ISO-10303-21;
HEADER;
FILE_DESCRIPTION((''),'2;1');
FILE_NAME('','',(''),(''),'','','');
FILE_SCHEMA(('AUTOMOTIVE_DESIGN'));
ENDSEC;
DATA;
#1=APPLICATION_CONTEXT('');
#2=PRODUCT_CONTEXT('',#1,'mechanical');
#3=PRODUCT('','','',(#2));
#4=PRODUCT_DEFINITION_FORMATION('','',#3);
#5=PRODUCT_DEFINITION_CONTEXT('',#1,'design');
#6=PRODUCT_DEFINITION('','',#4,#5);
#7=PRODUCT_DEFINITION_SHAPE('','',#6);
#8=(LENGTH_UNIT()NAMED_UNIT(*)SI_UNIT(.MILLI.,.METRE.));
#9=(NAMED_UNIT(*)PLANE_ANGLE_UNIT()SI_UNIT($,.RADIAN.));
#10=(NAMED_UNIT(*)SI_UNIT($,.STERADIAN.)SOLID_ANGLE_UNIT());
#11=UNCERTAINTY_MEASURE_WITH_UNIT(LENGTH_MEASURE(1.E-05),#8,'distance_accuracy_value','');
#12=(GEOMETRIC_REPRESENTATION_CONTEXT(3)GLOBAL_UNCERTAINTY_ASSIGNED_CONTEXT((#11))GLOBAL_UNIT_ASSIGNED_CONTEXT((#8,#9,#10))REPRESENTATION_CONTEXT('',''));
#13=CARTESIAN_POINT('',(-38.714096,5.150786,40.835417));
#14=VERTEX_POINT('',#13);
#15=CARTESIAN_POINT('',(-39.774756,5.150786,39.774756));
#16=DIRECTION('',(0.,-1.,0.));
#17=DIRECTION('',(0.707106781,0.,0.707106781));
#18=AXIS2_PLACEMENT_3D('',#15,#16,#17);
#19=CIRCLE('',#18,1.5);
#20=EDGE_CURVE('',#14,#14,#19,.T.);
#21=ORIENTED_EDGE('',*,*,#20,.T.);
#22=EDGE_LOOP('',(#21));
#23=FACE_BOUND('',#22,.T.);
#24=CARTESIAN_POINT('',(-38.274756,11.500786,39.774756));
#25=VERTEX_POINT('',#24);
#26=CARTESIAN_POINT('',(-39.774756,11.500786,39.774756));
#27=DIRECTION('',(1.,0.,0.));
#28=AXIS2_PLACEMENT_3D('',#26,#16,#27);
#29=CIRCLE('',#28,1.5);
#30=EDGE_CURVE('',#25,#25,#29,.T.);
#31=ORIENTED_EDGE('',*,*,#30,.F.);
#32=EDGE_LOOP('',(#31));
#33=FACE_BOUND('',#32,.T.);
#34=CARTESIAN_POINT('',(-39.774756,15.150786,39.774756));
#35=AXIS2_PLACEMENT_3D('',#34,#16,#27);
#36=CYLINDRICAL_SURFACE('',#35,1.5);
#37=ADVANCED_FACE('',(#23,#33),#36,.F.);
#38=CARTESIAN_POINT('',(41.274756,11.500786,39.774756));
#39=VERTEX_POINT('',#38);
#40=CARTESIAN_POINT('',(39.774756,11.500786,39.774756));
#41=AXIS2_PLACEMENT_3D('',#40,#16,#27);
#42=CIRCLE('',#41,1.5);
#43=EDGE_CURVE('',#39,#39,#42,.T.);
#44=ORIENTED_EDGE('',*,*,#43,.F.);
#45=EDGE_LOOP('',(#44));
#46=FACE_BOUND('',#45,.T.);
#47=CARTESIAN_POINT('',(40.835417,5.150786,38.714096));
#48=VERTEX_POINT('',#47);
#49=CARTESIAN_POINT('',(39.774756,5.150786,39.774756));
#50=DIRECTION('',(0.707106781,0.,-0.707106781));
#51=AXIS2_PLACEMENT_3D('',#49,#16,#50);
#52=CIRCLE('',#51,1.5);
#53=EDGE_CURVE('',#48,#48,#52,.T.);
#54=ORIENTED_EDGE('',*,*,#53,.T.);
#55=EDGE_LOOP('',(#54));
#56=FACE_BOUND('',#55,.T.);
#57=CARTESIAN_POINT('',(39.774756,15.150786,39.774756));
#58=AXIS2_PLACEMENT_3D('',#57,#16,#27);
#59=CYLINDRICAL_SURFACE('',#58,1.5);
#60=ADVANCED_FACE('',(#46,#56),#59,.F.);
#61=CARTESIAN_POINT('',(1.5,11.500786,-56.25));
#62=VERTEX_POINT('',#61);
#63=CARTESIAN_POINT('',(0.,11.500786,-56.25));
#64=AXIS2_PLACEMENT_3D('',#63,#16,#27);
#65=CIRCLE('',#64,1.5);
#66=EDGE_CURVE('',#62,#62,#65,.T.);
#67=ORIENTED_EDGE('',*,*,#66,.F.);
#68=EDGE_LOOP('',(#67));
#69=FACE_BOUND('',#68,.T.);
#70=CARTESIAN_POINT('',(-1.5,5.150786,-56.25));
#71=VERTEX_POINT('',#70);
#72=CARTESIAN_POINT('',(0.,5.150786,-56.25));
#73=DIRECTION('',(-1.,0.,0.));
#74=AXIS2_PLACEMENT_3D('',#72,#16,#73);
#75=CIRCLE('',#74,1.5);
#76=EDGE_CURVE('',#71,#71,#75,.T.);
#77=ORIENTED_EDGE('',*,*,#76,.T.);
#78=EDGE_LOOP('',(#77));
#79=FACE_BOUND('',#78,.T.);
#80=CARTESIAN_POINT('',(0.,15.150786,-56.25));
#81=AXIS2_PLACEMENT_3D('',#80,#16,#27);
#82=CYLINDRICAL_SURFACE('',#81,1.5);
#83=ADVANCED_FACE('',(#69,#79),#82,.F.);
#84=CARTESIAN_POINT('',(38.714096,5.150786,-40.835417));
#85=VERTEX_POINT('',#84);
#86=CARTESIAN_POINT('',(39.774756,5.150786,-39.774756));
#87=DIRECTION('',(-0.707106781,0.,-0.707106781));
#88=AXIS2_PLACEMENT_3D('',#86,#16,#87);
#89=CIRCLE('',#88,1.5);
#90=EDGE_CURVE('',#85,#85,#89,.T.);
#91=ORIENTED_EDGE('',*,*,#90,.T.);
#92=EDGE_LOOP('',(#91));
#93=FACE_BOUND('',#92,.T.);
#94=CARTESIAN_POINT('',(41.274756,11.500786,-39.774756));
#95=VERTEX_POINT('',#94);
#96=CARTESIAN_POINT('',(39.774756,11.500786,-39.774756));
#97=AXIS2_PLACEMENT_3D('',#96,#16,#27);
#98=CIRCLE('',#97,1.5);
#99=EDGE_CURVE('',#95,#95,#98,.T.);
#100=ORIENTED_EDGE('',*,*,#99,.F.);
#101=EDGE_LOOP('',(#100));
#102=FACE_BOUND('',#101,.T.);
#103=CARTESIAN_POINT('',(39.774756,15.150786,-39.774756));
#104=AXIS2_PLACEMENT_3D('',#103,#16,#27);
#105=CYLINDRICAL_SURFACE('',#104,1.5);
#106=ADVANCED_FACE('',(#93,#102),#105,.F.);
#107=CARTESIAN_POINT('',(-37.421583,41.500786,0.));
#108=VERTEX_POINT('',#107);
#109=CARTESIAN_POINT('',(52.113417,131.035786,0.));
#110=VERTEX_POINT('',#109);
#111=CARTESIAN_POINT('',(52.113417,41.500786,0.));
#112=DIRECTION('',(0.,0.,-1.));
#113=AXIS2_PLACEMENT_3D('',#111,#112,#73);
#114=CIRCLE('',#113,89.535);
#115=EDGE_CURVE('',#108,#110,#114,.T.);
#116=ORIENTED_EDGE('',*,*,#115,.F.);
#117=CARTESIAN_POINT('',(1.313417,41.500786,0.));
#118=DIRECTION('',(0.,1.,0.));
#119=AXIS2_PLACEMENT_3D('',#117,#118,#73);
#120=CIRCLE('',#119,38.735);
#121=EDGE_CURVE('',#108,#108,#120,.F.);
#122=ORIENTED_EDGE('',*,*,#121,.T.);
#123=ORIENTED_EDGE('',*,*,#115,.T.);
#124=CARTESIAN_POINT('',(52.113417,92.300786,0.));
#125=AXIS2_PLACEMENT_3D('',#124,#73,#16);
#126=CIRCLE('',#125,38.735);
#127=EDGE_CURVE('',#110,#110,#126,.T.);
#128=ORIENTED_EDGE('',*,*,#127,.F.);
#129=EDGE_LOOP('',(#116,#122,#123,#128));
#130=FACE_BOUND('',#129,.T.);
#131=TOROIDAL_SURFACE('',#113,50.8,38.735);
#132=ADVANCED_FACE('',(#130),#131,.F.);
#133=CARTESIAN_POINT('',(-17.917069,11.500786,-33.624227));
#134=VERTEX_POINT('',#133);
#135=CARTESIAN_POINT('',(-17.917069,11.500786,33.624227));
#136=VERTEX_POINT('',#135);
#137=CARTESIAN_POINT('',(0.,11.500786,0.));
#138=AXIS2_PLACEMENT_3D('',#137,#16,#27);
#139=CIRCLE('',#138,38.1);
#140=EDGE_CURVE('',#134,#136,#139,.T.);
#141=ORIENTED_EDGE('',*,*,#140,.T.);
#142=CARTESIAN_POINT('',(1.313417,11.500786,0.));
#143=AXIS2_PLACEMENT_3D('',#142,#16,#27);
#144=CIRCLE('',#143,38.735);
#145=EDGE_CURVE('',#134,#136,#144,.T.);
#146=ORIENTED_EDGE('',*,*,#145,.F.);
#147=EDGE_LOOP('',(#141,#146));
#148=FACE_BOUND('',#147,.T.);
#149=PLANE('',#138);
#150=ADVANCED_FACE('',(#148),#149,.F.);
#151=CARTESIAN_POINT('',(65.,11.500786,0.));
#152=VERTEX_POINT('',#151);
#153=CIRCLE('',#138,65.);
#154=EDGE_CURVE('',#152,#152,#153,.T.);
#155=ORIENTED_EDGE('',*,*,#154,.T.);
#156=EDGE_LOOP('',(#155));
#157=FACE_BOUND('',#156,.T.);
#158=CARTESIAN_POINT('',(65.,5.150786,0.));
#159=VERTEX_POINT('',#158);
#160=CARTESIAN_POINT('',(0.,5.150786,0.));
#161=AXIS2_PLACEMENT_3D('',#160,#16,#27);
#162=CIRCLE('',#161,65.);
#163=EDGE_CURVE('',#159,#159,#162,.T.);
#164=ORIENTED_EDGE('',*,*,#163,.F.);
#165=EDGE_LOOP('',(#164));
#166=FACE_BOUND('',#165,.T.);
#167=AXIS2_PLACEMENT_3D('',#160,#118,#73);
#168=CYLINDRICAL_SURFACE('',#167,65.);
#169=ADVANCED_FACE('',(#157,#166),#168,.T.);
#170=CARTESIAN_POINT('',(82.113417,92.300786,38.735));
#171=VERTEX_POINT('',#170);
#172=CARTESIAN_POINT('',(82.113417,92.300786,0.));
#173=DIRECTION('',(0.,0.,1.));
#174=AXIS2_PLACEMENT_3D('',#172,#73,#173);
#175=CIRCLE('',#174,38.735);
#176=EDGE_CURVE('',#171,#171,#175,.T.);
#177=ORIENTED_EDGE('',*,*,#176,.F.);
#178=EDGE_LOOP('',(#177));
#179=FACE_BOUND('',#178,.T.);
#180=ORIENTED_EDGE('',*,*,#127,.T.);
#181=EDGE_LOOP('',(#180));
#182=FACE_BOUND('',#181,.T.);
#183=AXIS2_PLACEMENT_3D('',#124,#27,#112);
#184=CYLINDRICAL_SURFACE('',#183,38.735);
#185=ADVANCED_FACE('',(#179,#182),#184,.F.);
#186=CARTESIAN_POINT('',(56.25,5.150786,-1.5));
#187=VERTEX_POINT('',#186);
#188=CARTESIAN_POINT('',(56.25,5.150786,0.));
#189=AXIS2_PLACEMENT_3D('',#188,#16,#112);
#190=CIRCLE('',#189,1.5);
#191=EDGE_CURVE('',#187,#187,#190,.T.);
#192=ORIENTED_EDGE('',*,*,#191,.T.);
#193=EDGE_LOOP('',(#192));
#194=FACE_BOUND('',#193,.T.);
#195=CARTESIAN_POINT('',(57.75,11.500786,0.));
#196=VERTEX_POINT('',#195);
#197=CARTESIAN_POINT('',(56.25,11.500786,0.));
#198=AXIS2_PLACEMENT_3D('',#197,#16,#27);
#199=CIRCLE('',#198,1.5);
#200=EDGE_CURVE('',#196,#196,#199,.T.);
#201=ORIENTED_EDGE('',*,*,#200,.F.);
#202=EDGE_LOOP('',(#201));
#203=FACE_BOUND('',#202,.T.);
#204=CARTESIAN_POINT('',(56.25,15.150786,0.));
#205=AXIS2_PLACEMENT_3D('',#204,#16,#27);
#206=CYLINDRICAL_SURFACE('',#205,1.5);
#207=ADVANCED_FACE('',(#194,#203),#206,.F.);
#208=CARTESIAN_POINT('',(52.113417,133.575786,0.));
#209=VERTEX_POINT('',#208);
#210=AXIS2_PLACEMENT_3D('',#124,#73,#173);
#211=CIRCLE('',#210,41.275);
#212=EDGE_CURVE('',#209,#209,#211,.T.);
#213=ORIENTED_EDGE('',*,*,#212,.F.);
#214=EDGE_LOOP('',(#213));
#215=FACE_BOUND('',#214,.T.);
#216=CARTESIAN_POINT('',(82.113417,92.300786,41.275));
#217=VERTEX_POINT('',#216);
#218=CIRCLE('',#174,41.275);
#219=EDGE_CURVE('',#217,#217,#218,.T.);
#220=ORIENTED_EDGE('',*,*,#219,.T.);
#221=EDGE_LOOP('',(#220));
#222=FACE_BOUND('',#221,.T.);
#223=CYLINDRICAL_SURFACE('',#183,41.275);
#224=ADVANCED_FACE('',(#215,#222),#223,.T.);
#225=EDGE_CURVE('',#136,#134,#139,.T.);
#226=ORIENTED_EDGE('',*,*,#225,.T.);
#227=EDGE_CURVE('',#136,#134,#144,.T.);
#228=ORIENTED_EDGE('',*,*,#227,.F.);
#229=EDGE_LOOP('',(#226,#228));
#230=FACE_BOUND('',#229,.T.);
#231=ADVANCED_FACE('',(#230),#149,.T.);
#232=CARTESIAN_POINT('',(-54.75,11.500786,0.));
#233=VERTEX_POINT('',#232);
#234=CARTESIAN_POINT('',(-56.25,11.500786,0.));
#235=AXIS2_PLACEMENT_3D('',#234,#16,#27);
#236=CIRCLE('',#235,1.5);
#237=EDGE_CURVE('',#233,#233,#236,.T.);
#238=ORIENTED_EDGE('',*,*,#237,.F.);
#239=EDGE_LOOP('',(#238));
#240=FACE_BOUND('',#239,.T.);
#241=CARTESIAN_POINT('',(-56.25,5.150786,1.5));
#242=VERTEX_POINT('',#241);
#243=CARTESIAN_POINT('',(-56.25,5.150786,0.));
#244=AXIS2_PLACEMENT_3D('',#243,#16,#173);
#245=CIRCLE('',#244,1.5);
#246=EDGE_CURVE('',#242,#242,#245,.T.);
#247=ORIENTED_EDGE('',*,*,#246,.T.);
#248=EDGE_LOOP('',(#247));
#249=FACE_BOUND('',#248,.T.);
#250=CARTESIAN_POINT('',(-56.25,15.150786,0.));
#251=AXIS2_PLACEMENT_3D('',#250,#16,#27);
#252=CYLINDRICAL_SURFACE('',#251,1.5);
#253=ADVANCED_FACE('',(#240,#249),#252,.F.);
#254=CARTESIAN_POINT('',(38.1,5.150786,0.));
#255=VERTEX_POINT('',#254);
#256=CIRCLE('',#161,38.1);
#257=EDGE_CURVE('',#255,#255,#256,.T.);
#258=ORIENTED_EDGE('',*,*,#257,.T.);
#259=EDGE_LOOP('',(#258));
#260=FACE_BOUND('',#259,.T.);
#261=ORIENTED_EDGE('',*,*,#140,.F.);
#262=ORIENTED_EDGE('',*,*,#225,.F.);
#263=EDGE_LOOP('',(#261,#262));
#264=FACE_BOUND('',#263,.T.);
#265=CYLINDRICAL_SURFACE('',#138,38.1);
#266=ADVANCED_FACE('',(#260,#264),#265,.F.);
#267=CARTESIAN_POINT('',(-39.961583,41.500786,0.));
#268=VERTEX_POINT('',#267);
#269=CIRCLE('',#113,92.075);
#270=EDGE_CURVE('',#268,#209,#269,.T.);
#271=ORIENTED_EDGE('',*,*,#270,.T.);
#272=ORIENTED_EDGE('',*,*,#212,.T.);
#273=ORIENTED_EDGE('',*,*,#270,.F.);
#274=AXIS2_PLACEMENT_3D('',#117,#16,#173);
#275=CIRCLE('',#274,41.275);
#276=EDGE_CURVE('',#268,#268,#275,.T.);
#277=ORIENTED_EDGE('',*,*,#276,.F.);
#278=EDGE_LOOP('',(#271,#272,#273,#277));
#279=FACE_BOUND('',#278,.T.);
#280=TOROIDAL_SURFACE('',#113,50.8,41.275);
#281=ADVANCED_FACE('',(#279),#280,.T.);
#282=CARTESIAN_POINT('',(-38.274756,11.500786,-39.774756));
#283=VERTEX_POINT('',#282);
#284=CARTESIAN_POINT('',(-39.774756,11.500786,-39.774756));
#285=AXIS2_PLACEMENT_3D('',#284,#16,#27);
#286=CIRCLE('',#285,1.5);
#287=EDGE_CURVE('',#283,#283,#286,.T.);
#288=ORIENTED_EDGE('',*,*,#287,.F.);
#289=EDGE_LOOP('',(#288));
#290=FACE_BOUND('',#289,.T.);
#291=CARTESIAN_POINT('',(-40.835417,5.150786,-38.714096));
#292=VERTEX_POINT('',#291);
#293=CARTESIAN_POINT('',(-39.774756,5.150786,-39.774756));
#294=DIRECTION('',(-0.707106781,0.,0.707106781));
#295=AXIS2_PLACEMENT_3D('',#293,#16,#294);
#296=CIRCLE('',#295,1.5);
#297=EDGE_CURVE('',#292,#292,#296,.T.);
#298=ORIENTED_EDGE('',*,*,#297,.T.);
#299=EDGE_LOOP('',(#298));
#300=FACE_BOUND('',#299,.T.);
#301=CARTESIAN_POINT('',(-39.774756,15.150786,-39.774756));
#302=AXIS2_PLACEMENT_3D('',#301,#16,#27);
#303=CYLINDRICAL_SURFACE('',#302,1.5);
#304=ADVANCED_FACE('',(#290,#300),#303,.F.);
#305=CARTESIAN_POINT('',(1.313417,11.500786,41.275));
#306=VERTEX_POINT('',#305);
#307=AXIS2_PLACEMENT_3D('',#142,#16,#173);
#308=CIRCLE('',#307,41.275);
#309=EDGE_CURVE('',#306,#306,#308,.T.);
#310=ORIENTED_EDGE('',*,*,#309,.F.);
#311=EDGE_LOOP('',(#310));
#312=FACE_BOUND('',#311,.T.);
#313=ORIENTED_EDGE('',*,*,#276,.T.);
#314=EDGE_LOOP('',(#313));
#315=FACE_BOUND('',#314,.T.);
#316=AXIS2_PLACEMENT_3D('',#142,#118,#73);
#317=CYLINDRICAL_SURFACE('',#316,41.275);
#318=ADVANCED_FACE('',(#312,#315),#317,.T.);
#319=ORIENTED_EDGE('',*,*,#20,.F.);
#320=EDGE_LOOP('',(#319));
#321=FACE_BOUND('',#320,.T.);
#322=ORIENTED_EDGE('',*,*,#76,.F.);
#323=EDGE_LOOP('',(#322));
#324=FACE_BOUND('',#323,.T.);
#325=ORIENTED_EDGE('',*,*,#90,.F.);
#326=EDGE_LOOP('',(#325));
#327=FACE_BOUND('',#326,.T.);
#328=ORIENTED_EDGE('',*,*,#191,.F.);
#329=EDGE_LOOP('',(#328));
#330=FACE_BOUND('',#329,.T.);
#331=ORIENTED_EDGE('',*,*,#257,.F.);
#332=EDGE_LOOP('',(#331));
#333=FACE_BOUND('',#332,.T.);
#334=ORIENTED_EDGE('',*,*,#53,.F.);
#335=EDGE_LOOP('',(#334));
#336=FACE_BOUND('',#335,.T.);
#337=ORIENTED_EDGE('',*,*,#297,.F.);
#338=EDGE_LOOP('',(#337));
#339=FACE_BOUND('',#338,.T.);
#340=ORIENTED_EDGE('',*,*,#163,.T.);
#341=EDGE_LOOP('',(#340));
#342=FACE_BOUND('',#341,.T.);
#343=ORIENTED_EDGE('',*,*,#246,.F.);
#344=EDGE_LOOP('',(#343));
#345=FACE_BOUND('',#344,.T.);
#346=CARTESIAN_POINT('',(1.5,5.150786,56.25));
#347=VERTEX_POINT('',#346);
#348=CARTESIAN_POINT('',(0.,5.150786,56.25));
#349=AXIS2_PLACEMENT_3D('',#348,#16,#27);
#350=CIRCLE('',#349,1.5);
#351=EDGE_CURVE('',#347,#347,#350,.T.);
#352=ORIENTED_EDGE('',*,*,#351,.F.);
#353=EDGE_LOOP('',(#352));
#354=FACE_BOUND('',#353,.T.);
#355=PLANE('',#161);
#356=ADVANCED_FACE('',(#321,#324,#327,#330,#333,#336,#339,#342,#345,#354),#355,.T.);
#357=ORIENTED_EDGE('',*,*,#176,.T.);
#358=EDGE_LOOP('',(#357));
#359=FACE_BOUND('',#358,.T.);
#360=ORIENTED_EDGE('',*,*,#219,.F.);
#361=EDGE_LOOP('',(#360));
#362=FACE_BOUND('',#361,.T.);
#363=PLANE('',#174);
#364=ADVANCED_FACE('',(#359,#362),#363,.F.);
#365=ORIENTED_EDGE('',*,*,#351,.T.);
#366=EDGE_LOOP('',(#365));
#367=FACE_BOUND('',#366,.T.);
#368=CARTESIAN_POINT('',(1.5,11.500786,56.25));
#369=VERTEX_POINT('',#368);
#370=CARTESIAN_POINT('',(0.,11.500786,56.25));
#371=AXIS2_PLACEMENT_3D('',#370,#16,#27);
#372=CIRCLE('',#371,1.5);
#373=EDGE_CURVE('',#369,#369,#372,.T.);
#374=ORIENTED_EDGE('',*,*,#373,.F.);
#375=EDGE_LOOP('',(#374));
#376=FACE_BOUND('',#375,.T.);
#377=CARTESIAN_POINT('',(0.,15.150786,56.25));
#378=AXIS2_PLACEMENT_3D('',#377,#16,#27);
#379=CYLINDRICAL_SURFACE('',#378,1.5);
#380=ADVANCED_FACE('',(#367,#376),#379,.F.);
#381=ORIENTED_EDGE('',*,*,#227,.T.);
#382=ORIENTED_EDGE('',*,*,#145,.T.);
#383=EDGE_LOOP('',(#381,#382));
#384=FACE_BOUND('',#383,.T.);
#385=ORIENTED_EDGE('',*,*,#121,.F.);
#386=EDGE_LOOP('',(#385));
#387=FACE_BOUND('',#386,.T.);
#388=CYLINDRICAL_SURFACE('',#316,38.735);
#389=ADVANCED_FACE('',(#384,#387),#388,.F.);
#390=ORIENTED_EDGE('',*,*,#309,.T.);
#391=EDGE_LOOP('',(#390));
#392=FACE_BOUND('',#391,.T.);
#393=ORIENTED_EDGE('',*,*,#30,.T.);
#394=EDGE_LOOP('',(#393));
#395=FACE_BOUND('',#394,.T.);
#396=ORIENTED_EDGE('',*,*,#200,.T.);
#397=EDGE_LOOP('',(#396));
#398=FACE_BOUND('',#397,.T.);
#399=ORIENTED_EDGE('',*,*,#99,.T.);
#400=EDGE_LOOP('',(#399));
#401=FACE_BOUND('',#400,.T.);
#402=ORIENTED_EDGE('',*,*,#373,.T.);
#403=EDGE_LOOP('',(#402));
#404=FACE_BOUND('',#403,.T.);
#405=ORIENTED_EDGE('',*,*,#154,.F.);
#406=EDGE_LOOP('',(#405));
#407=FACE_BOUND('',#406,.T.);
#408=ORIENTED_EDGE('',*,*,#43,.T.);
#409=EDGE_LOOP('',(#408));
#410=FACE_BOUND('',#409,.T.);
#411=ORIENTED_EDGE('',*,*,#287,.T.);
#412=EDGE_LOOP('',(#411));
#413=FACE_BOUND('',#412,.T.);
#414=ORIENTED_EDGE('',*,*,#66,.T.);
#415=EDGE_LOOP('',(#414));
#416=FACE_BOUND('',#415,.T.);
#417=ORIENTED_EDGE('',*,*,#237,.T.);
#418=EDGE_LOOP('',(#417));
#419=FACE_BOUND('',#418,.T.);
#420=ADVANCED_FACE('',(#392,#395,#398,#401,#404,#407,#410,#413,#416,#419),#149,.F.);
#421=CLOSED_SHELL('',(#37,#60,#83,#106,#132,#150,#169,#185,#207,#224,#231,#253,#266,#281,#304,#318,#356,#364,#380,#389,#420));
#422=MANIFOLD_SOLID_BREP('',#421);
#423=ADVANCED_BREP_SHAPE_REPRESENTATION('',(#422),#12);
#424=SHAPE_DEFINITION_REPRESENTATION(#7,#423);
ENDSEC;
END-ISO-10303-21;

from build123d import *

# Parameters (mm, degrees)
SWEEP5_PROFILE_R    = 41.275
SHELL13_T           = -2.54
SKETCH19_R          = 65
BOSS_EXTRUDE1_DEPTH = 6.35
SKETCH20_R          = 38.1
CUT_EXTRUDE1_DEPTH  = 6.35
SKETCH28_R          = 1.5
CUT_EXTRUDE5_DEPTH  = 10
CIRPATTERN1_COUNT   = 8


with BuildPart() as part:
    # Sweep5: sweep along a path in Sketch4
    with BuildLine(Plane.XY) as sweep5_path:
        Line((1.313416864, 11.5007856), (1.313416864, 41.5007856))
        ThreePointArc((1.313416864, 41.5007856), (16.19239238, 77.421810084), (52.113416864, 92.3007856))
        Line((52.113416864, 92.3007856), (82.113416864, 92.3007856))
    # Sweep5 profile (on start of the path) → Sweep5 (sweep)
    with BuildSketch(Plane(origin=(1.313416864, 11.5007856, 0), x_dir=(1, 0, 0), z_dir=(0, 1, 0))):
        Circle(SWEEP5_PROFILE_R)
    sweep(path=sweep5_path.line)

    # Shell13
    shell13_openings = [part.faces().sort_by_distance(p)[0] for p in [
        (82.113416864, 92.3007856, 0),
        (1.313416864, 11.5007856, 0),
    ]]
    offset(amount=SHELL13_T, openings=shell13_openings, kind=Kind.INTERSECTION)

    # Sketch19 → Boss-Extrude1 (add)
    with BuildSketch(Plane.XZ.offset(-11.5007856)):
        Circle(SKETCH19_R)
    extrude(amount=BOSS_EXTRUDE1_DEPTH)

    # Sketch20 → Cut-Extrude1 (cut)
    with BuildSketch(Plane(origin=(0, 5.1507856, 0), x_dir=(-1, 0, 0), z_dir=(0, -1, 0))):
        with Locations(Location((0, 0, 0), (0, 0, 180))):
            Circle(SKETCH20_R)
    extrude(amount=-CUT_EXTRUDE1_DEPTH, mode=Mode.SUBTRACT)

    # Sketch28 → Cut-Extrude5 (cut)
    with BuildSketch(Plane.XZ.offset(-5.1507856)):
        with Locations((0, 56.25)):
            Circle(SKETCH28_R)
    cut_extrude5 = extrude(amount=-CUT_EXTRUDE5_DEPTH, mode=Mode.SUBTRACT)

    # CirPattern1: Cut-Extrude5 ×8 about axis
    cirpattern1_axis = Axis((0, 0, 0), (0, 1, 0))
    for i in range(1, CIRPATTERN1_COUNT):
        add(cut_extrude5.rotate(cirpattern1_axis, i * 360 / CIRPATTERN1_COUNT), mode=Mode.SUBTRACT)


solid = part.part
